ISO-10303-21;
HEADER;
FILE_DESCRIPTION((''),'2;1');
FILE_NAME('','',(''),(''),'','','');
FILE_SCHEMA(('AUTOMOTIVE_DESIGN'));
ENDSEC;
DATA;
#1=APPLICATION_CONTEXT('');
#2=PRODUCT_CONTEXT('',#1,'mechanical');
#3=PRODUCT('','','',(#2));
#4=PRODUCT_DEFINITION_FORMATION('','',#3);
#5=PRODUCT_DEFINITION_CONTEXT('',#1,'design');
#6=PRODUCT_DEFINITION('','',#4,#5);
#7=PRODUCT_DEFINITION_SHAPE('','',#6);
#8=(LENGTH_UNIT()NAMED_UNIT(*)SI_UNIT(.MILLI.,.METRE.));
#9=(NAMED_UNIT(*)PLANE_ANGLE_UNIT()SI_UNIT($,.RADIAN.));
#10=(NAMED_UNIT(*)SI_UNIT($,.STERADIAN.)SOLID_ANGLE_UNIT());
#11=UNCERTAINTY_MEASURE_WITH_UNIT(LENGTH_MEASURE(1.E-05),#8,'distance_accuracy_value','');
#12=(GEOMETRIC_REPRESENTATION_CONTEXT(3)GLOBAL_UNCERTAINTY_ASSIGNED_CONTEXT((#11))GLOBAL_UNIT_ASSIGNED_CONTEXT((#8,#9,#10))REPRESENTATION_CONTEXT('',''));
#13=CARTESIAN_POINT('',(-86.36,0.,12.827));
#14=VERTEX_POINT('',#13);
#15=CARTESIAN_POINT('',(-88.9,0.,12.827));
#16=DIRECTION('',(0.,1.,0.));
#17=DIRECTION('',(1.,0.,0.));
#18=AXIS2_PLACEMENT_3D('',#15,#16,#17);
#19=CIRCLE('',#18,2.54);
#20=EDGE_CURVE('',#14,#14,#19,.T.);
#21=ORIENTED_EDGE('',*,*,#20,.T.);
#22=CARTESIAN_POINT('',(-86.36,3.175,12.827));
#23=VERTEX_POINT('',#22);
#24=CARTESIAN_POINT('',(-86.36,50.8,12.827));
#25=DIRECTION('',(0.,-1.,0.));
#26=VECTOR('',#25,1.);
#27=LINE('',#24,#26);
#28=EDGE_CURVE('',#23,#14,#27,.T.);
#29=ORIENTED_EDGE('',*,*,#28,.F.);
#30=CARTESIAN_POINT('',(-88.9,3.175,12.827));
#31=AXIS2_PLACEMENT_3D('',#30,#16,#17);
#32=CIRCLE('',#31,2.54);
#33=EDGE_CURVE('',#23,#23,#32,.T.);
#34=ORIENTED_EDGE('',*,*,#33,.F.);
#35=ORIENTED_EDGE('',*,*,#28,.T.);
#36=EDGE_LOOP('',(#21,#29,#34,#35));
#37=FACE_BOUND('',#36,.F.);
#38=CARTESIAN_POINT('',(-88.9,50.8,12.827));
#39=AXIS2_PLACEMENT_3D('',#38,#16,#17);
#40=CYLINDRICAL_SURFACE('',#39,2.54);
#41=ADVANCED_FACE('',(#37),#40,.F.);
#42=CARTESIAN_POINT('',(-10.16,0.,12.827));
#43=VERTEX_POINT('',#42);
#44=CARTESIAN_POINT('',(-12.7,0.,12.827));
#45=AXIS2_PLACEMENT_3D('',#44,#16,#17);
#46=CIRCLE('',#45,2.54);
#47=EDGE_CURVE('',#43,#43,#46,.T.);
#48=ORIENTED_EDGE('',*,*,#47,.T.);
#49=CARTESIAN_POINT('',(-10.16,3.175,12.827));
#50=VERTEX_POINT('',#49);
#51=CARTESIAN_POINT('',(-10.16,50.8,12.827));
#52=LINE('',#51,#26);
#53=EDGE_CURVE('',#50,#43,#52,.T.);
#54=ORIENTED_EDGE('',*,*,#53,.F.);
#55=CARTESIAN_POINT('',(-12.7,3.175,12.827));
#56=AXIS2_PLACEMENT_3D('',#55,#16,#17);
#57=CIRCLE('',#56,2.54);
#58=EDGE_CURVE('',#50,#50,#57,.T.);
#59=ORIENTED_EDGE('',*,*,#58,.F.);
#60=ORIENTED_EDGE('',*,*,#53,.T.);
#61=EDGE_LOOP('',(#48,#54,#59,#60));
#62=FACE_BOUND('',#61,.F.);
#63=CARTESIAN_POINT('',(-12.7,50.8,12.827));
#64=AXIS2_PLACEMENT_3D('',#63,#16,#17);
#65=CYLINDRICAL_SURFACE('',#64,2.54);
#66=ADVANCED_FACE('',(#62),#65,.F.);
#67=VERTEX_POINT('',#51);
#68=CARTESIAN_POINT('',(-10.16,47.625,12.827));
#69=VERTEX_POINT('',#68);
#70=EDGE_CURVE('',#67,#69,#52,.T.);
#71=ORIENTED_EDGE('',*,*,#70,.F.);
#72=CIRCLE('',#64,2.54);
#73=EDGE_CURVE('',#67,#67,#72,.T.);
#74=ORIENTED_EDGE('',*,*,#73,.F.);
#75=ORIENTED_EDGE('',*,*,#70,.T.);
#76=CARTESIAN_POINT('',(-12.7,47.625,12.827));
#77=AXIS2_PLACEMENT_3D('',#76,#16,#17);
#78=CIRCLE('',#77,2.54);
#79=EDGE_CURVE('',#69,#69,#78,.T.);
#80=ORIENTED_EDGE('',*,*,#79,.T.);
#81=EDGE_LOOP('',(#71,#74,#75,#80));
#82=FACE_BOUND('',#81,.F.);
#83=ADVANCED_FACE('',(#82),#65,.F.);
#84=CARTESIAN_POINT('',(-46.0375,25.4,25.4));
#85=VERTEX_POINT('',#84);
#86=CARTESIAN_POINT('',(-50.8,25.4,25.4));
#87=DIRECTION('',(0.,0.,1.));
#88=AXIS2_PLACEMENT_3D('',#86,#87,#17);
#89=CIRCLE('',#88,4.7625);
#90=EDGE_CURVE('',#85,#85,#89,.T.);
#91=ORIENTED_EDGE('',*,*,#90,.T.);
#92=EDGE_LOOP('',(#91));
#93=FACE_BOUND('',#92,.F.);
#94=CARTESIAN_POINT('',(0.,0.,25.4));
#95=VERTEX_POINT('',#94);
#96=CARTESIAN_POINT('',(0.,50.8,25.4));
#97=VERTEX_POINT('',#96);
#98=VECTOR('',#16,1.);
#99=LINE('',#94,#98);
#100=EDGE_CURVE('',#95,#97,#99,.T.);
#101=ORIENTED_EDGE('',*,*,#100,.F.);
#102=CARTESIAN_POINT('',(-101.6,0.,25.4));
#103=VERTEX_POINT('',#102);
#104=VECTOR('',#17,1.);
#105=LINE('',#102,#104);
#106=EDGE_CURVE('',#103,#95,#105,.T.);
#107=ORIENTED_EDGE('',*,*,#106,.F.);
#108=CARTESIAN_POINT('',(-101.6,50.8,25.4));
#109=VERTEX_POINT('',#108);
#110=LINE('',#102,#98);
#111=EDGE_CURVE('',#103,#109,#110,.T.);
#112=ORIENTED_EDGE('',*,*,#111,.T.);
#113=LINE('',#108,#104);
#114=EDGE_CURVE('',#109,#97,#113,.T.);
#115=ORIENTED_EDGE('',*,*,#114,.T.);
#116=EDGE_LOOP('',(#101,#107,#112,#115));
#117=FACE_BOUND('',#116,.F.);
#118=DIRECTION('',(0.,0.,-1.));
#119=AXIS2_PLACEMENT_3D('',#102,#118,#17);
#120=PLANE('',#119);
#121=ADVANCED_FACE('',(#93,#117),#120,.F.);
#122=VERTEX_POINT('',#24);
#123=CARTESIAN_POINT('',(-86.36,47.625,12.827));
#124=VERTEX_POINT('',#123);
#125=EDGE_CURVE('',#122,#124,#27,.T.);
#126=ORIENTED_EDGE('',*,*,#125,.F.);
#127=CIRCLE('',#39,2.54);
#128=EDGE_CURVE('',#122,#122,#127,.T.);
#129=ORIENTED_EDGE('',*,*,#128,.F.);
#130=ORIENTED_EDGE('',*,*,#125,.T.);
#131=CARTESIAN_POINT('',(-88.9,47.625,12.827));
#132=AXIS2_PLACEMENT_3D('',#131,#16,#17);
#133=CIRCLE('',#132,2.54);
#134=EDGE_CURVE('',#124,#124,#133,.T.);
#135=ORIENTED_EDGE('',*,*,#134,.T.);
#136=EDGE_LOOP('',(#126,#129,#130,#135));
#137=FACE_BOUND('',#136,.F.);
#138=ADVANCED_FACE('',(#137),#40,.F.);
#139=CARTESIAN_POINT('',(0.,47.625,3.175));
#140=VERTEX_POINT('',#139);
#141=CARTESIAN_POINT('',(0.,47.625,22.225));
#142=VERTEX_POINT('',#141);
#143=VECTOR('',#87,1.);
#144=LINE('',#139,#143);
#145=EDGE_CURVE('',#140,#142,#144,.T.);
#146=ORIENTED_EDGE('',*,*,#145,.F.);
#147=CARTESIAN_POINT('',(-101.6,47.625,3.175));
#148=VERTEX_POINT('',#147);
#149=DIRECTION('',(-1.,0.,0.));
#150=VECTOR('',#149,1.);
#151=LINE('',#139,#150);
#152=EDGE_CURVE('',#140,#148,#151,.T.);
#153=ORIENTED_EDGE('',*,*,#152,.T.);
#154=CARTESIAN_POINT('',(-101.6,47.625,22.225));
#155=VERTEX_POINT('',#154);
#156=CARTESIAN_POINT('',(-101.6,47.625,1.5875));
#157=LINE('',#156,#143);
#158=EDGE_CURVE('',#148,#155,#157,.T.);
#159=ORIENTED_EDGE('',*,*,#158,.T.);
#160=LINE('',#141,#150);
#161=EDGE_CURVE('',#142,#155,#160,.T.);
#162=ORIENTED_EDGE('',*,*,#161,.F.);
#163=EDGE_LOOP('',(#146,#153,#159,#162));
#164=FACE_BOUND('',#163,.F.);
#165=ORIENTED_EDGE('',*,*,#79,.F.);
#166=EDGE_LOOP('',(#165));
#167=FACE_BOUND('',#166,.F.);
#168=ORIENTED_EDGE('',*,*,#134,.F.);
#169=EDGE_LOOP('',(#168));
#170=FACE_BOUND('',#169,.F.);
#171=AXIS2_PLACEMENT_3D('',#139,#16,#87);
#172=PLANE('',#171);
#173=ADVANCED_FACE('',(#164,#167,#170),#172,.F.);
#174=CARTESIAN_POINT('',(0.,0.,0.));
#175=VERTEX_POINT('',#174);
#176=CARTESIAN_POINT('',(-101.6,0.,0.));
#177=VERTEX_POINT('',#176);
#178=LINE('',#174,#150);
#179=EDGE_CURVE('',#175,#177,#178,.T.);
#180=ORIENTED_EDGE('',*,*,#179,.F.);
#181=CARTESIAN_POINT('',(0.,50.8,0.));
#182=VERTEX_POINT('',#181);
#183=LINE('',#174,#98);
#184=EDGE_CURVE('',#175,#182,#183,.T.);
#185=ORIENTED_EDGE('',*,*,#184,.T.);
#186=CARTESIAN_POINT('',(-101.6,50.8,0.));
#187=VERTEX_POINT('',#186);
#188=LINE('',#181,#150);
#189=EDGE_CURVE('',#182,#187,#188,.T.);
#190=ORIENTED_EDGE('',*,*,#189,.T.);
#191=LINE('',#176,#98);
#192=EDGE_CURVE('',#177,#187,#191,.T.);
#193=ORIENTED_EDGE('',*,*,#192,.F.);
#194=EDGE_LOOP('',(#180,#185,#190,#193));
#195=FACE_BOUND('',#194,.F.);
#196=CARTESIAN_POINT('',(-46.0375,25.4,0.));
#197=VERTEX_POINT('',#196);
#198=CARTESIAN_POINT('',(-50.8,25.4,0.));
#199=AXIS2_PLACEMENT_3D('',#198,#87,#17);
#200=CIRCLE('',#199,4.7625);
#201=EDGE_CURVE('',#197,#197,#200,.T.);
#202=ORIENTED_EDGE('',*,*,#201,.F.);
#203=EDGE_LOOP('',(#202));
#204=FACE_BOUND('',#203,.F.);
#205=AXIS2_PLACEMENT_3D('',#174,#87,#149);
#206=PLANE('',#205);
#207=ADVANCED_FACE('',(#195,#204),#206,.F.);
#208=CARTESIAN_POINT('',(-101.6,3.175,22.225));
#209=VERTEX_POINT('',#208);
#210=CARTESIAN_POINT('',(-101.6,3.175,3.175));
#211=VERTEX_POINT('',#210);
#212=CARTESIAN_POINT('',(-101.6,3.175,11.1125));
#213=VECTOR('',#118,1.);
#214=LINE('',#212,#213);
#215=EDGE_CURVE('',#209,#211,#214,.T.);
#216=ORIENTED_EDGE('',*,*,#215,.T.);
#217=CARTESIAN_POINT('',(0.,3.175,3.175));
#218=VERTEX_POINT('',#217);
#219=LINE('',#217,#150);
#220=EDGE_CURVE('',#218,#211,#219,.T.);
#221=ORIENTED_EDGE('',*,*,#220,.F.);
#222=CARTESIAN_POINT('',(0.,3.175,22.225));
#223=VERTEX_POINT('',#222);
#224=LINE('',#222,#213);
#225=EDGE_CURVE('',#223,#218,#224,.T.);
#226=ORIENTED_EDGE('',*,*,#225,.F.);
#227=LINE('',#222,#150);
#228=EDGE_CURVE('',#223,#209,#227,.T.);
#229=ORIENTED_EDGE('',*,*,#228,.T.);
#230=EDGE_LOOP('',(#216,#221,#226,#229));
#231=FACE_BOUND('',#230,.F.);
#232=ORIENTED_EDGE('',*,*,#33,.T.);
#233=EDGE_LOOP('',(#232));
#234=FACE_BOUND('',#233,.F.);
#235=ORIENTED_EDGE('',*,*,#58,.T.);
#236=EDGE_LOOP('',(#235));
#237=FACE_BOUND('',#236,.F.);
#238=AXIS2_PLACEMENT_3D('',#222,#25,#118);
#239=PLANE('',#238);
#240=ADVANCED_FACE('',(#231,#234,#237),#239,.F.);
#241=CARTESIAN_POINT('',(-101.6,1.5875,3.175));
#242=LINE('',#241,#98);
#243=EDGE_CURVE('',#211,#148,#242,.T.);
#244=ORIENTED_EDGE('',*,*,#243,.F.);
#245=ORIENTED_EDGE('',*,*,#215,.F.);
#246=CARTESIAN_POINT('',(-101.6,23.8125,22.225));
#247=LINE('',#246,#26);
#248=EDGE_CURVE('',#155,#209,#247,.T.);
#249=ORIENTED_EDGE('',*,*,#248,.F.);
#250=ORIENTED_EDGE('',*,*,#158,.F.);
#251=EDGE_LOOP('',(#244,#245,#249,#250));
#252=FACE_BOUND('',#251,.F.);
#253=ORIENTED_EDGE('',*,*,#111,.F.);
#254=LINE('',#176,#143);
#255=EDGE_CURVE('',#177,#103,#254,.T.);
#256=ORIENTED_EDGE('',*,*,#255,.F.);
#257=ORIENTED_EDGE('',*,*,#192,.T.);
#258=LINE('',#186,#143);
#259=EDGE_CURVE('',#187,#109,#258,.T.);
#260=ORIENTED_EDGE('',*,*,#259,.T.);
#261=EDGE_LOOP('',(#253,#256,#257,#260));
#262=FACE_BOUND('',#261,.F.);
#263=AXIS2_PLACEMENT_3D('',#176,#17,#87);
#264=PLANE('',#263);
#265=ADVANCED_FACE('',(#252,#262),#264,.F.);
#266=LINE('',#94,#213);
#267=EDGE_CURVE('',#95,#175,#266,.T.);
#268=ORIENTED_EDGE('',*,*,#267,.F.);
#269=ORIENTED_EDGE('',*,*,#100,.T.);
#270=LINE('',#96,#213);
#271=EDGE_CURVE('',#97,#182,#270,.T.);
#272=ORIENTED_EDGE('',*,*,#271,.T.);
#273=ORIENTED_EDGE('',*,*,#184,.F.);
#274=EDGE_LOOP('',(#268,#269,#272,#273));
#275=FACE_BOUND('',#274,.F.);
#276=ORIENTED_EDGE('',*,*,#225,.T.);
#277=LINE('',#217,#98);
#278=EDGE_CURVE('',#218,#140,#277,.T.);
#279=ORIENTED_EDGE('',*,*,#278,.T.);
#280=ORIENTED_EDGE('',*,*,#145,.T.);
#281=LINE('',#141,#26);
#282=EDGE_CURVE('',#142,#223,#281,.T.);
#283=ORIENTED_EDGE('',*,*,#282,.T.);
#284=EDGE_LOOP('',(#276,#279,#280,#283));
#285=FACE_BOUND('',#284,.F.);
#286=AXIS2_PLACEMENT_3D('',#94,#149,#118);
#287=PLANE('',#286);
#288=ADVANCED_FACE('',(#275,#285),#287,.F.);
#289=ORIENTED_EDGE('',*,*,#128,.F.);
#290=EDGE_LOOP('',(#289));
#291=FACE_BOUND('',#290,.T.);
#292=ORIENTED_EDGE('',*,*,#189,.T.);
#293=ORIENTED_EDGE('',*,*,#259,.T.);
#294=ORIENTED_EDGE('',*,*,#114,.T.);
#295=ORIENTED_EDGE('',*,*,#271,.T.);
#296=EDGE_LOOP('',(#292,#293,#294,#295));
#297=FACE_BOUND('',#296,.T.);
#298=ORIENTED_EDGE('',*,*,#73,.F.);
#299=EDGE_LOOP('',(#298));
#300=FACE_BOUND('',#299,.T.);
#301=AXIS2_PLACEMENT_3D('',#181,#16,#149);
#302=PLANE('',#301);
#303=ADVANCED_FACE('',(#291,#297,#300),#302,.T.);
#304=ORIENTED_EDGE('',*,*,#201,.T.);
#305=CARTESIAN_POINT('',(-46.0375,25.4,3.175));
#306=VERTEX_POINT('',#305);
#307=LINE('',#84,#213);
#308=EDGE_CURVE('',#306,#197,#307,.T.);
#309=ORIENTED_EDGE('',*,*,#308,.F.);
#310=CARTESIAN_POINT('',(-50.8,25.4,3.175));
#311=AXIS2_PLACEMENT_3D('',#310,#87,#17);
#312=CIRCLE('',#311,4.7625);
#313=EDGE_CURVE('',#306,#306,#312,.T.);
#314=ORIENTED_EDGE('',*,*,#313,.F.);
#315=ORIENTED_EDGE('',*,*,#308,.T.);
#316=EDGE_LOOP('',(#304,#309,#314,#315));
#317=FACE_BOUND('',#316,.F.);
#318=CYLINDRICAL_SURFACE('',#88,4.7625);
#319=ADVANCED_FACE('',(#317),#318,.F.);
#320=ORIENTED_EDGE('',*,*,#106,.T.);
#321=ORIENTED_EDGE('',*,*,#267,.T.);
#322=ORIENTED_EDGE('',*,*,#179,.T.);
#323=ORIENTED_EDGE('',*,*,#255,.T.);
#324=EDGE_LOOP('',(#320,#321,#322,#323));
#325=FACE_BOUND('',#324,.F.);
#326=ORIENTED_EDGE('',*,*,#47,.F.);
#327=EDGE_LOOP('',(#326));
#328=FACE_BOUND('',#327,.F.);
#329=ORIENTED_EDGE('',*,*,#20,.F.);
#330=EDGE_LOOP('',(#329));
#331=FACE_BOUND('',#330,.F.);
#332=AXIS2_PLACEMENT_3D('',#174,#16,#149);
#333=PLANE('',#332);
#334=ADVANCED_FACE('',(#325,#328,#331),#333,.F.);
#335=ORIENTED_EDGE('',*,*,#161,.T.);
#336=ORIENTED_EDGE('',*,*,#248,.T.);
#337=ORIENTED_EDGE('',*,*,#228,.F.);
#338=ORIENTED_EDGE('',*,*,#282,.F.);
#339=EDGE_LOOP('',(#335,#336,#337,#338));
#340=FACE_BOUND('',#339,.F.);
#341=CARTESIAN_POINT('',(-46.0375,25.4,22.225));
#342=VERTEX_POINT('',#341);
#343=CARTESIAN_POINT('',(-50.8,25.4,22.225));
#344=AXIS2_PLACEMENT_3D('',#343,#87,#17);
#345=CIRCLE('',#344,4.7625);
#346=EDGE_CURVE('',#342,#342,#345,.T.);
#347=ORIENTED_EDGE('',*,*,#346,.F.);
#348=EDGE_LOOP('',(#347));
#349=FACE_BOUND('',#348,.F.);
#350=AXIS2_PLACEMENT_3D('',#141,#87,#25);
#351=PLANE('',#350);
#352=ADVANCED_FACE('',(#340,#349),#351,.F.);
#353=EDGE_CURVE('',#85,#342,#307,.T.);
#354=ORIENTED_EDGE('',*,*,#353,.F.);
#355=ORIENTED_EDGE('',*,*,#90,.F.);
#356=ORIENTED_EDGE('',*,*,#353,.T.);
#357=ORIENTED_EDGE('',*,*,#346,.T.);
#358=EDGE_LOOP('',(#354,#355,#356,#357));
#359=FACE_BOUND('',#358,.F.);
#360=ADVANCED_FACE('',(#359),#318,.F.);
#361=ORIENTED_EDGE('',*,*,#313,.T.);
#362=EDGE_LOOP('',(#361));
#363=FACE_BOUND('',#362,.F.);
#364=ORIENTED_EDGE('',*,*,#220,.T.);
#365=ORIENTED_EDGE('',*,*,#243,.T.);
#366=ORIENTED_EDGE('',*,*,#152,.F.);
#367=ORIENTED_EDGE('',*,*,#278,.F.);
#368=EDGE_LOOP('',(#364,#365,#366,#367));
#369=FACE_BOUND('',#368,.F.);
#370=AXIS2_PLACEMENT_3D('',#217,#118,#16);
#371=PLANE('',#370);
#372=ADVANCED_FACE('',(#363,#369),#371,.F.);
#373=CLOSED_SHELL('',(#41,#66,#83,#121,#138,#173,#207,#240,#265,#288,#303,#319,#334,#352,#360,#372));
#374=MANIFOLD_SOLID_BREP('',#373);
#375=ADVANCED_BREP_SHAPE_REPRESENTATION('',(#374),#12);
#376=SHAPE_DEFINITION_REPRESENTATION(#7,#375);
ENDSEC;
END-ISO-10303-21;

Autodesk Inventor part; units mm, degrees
ref_plane "YZ Plane" through (0, 0, 0) normal (1, 0, 0) x (0, 1, 0)
ref_plane "XZ Plane" through (0, 0, 0) normal (0, 1, 0) x (-1, 0, 0)
ref_plane "XY Plane" through (0, 0, 0) normal (0, 0, 1) x (1, 0, 0)
sketch "Sketch1" plane through (0, 0, 0) normal (0, 1, 0) x (-1, 0, 0)
  line L0 (0, 0) -> (101.6, 0)
  line L1 (101.6, 0) -> (101.6, 25.4)
  line L2 (101.6, 25.4) -> (0, 25.4)
  line L3 (0, 25.4) -> (0, 0)
  dimension "d0" = 101.6
  dimension "d1" = 25.4
extrude "Extrusion1" add sketch "Sketch1" along normal blind 50.8
sketch "Sketch2" plane through (-101.6, 0, 25.4) normal (0, 0, 1) x (1, 0, 0)
  circle A0 centre (50.8, 25.4) radius 4.7625
  line L0 (101.6, 50.8) -> (0, 50.8) projected
  line L1 (101.6, 0) -> (101.6, 50.8) projected
  dimension "d4" = 9.525
  dimension "d5" = 25.4
  dimension "d6" = 50.8
extrude "Extrusion2" cut sketch "Sketch2" against normal blind 111.125
sketch "Sketch3" plane through (0, 0, 25.4) normal (1, 0, 0) x (0, 0, -1)
  line L0 (3.175, 3.175) -> (22.225, 3.175)
  line L1 (22.225, 3.175) -> (22.225, 47.625)
  line L2 (22.225, 47.625) -> (3.175, 47.625)
  line L3 (3.175, 47.625) -> (3.175, 3.175)
  line L4 (0, 0) -> (0, 50.8) projected
  line L5 (0, 0) -> (25.4, 0) projected
  line L6 (25.4, 0) -> (25.4, 50.8) projected
  line L7 (25.4, 50.8) -> (0, 50.8) projected
  dimension "d9" = 3.175
  dimension "d10" = 3.175
  dimension "d11" = 3.175
  dimension "d12" = 3.175
extrude "Extrusion3" cut sketch "Sketch3" against normal blind 111.125 contours L3 L2 L1 L0
sketch "Sketch4" plane through (0, 50.8, 0) normal (0, 1, 0) x (1, 0, 0)
  circle A0 centre (-12.7, -12.827) radius 2.54
  circle A1 centre (-88.9, -12.827) radius 2.54
  line L0 (0, 0) -> (-101.6, 0) projected
  line L1 (-101.6, 0) -> (-101.6, -25.4) projected
  line L2 (0, -25.4) -> (0, 0) projected
  dimension "d15" = 5.08
  dimension "d16" = 12.827
  dimension "d17" = 12.7
  dimension "d18" = 5.08
  dimension "d19" = 12.827
  dimension "d20" = 12.7
  dimension "d21" = 76.2
extrude "Extrusion4" cut sketch "Sketch4" against normal blind 111.125
properties part number "15102898-16-P-0306"
